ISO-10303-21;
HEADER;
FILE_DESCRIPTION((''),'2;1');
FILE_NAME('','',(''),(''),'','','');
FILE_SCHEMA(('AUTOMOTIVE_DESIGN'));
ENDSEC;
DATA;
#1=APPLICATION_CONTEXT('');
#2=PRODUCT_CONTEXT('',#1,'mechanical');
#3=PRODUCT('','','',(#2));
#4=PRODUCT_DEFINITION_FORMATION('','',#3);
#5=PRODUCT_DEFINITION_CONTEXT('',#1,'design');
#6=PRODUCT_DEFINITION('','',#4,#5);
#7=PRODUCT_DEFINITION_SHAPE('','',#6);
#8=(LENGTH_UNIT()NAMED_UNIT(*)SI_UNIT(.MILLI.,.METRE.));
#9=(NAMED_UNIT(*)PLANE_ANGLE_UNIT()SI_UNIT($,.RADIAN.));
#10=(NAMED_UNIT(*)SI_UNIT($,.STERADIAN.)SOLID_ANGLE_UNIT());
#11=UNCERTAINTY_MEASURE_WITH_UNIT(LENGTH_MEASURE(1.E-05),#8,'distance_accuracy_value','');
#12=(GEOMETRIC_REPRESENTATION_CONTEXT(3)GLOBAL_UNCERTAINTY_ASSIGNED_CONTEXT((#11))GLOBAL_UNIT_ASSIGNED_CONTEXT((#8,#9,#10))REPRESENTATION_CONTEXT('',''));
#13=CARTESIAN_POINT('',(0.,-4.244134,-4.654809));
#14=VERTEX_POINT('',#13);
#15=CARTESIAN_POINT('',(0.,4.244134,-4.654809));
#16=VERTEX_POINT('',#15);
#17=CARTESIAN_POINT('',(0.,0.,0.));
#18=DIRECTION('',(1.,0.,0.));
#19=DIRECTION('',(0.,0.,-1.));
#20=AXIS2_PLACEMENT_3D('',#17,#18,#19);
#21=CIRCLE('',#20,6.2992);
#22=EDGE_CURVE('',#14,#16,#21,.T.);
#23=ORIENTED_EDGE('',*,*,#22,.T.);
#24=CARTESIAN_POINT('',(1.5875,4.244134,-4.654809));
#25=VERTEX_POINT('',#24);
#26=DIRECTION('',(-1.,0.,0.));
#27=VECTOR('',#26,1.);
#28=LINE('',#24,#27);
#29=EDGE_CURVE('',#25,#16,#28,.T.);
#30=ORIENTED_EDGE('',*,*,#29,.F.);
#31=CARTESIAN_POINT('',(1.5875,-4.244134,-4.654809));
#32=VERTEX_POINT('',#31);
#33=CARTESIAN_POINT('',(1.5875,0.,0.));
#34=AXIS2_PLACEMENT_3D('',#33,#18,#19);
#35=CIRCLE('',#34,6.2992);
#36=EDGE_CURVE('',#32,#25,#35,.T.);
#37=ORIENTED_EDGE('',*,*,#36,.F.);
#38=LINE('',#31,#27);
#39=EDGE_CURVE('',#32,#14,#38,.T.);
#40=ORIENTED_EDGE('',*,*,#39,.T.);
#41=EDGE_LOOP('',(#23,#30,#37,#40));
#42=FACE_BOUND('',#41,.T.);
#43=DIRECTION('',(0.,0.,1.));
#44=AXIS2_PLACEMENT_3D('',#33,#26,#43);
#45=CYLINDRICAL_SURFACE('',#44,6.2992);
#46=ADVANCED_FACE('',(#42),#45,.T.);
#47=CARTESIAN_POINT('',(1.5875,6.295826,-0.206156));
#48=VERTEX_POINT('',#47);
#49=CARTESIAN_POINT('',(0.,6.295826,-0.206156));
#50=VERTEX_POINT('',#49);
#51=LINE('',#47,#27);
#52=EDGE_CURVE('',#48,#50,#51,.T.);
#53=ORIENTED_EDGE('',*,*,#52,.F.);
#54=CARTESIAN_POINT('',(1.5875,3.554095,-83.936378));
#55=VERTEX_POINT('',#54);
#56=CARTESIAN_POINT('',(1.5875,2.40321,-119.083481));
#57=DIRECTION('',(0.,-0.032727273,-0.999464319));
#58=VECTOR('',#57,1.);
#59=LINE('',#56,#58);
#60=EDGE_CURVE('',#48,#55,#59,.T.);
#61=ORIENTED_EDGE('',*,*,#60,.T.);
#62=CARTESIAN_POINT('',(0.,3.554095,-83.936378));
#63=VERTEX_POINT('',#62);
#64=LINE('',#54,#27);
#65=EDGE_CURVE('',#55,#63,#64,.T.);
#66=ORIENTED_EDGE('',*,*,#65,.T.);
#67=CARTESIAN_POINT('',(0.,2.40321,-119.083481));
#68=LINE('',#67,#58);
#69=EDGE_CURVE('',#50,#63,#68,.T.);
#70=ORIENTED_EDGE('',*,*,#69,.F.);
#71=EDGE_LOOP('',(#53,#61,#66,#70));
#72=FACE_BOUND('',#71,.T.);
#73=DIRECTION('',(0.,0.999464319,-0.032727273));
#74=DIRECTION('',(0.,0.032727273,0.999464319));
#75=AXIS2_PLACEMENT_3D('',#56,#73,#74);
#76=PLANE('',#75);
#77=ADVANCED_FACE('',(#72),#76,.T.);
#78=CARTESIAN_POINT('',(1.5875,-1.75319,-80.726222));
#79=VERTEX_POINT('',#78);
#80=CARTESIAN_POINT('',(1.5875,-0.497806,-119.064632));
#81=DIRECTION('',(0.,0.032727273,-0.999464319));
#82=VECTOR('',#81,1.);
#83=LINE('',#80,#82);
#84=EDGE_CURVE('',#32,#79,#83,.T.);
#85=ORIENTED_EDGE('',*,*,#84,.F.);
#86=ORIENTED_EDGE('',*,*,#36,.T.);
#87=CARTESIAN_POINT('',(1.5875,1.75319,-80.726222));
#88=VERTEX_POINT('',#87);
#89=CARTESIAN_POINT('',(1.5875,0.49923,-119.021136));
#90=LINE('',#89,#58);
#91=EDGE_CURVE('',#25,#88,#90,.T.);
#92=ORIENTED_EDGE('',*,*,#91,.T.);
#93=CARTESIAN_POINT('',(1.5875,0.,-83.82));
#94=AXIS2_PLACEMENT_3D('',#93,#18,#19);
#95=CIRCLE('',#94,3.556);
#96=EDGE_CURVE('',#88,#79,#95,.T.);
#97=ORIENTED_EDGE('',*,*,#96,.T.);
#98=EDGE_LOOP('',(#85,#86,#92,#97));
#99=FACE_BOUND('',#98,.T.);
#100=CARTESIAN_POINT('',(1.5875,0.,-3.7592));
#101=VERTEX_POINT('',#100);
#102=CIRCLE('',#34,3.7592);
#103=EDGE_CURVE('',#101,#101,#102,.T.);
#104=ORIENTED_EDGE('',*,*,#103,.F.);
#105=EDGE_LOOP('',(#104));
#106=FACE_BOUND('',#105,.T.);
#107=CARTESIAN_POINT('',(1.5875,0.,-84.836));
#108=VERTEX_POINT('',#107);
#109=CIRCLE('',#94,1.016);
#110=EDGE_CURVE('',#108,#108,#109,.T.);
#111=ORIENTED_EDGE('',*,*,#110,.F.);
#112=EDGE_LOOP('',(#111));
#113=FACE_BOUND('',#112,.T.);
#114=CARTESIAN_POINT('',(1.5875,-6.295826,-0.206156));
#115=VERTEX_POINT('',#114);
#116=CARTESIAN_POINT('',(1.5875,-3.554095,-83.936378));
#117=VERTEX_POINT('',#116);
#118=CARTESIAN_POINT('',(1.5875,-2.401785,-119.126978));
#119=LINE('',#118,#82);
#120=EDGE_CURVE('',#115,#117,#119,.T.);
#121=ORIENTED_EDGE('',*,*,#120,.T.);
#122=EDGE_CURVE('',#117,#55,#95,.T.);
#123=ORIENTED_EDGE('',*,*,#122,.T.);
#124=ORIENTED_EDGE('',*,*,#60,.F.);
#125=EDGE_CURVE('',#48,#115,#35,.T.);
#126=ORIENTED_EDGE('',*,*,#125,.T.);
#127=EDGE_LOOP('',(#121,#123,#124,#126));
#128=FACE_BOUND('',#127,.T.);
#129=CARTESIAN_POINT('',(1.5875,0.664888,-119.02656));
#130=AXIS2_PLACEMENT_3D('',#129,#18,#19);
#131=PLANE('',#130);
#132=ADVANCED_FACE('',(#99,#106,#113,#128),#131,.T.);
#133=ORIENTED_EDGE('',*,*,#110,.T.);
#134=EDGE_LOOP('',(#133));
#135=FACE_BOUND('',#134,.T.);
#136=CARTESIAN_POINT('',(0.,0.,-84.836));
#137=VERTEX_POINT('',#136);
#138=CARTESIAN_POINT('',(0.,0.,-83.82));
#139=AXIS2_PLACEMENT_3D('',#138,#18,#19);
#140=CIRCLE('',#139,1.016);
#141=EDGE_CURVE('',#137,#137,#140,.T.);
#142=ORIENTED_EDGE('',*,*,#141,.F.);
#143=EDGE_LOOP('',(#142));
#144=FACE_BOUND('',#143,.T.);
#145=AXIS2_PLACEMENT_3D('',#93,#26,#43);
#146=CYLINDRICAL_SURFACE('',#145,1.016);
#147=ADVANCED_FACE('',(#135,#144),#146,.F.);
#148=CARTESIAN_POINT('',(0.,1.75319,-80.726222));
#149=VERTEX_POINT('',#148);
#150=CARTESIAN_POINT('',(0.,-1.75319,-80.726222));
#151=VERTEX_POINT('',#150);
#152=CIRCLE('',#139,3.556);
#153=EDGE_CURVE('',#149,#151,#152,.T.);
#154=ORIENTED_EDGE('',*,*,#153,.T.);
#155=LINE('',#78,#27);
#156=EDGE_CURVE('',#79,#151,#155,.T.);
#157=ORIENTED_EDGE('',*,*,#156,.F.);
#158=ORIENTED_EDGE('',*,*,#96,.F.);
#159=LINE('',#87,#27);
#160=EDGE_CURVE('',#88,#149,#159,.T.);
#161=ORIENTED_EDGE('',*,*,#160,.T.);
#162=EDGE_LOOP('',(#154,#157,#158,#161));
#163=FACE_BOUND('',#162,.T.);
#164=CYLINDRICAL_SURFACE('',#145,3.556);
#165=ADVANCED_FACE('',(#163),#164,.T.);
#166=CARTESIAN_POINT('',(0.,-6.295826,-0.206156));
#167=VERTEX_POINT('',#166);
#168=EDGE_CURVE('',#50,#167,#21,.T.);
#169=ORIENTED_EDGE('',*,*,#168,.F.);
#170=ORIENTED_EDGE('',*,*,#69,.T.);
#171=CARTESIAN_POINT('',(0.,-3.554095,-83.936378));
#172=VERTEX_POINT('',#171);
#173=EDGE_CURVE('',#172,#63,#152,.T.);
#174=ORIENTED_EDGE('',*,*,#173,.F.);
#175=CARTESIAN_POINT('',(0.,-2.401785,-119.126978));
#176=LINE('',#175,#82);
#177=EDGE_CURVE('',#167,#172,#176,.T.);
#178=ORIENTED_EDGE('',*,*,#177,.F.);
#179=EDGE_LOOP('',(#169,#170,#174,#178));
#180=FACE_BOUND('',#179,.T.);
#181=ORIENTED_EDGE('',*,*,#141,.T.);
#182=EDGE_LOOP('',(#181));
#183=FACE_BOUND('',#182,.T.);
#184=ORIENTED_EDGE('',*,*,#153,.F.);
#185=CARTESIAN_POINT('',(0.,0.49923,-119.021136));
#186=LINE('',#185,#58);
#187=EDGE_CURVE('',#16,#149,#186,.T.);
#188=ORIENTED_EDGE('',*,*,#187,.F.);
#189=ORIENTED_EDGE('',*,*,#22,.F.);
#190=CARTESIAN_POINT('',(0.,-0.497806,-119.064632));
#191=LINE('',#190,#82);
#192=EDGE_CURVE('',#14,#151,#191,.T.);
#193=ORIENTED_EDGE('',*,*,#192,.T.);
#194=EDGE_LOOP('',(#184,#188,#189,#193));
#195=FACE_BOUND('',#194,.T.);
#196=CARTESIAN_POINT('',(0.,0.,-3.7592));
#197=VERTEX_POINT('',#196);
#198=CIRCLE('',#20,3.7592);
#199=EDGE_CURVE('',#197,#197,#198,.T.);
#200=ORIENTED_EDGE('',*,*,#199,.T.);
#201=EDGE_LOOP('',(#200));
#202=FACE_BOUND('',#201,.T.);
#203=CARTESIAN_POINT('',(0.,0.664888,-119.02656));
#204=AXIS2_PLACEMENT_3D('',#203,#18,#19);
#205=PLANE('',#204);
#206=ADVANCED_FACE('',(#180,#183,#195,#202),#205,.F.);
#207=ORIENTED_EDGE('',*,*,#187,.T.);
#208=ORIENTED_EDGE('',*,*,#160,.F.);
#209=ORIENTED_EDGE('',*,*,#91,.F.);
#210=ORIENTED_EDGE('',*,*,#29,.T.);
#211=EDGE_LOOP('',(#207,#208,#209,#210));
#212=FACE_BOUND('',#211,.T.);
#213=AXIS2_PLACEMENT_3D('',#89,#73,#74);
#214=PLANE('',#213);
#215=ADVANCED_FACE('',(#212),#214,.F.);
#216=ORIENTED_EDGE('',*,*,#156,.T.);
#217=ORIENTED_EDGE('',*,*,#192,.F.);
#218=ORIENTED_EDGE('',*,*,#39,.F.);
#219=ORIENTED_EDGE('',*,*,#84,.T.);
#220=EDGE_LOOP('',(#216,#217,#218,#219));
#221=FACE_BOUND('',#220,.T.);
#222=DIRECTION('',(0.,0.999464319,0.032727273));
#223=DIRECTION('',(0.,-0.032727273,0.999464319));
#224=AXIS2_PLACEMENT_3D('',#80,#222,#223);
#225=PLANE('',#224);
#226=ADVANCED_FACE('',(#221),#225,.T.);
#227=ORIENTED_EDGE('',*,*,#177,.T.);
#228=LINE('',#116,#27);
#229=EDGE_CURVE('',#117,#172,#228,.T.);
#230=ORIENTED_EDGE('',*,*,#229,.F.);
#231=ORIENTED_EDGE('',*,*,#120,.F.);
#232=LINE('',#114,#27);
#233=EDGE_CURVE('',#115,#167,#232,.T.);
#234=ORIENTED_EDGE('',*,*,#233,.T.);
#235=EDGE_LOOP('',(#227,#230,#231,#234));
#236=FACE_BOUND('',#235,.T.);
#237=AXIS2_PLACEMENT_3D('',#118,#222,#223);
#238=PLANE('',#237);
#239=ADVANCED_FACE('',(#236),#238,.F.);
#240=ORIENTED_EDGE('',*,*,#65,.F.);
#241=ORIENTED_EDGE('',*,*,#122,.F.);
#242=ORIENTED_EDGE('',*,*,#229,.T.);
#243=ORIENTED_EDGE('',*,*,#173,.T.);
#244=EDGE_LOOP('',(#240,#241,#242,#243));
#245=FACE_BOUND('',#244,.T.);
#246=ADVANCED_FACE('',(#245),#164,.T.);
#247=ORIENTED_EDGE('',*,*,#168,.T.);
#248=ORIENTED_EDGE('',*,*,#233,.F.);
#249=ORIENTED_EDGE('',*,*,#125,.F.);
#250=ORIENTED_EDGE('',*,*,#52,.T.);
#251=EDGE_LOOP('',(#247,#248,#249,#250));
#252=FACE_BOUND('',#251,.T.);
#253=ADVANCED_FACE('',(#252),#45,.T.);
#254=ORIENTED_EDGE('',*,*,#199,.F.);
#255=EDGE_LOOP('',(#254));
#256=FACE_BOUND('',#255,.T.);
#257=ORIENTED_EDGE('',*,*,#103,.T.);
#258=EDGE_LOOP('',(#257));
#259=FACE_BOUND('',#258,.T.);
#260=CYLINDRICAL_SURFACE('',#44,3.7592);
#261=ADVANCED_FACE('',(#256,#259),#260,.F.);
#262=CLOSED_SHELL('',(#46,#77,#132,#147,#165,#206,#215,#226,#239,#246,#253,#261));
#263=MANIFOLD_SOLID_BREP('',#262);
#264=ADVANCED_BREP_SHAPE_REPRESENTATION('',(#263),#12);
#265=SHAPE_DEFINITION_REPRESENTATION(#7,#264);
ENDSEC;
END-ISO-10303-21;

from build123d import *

# Parameters (mm, degrees)
SKETCH1_R           = 1.016
SKETCH1_R_2         = 3.7592
BOSS_EXTRUDE1_DEPTH = 1.5875


with BuildPart() as part:
    # Sketch1 → Boss-Extrude1 (new body)
    with BuildSketch(Plane(origin=(0, 0, 0), x_dir=(0, 0, -1), z_dir=(1, 0, 0))):
        with BuildLine():
            Line((83.936378182, 3.55409512), (0.206155636, 6.29582564))
            ThreePointArc((0.206155636, 6.29582564), (-6.2992, 9e-09), (0.206155618, -6.295825641))
            Line((0.206155618, -6.295825641), (83.936378182, -3.55409512))
            ThreePointArc((83.936378182, -3.55409512), (87.376, 0), (83.936378182, 3.55409512))
        make_face()
        with BuildLine():
            ThreePointArc((4.654808766, -4.244134305), (6.2992, 0), (4.654808766, 4.244134305))
            Line((4.654808766, 4.244134305), (80.726222273, 1.753190057))
            ThreePointArc((80.726222273, 1.753190057), (80.264, 0), (80.726222273, -1.753190057))
            Line((80.726222273, -1.753190057), (4.654808766, -4.244134305))
        make_face(mode=Mode.SUBTRACT)
        with Locations((83.82, 0)):
            Circle(SKETCH1_R, mode=Mode.SUBTRACT)
        Circle(SKETCH1_R_2, mode=Mode.SUBTRACT)
    extrude(amount=BOSS_EXTRUDE1_DEPTH)


solid = part.part
